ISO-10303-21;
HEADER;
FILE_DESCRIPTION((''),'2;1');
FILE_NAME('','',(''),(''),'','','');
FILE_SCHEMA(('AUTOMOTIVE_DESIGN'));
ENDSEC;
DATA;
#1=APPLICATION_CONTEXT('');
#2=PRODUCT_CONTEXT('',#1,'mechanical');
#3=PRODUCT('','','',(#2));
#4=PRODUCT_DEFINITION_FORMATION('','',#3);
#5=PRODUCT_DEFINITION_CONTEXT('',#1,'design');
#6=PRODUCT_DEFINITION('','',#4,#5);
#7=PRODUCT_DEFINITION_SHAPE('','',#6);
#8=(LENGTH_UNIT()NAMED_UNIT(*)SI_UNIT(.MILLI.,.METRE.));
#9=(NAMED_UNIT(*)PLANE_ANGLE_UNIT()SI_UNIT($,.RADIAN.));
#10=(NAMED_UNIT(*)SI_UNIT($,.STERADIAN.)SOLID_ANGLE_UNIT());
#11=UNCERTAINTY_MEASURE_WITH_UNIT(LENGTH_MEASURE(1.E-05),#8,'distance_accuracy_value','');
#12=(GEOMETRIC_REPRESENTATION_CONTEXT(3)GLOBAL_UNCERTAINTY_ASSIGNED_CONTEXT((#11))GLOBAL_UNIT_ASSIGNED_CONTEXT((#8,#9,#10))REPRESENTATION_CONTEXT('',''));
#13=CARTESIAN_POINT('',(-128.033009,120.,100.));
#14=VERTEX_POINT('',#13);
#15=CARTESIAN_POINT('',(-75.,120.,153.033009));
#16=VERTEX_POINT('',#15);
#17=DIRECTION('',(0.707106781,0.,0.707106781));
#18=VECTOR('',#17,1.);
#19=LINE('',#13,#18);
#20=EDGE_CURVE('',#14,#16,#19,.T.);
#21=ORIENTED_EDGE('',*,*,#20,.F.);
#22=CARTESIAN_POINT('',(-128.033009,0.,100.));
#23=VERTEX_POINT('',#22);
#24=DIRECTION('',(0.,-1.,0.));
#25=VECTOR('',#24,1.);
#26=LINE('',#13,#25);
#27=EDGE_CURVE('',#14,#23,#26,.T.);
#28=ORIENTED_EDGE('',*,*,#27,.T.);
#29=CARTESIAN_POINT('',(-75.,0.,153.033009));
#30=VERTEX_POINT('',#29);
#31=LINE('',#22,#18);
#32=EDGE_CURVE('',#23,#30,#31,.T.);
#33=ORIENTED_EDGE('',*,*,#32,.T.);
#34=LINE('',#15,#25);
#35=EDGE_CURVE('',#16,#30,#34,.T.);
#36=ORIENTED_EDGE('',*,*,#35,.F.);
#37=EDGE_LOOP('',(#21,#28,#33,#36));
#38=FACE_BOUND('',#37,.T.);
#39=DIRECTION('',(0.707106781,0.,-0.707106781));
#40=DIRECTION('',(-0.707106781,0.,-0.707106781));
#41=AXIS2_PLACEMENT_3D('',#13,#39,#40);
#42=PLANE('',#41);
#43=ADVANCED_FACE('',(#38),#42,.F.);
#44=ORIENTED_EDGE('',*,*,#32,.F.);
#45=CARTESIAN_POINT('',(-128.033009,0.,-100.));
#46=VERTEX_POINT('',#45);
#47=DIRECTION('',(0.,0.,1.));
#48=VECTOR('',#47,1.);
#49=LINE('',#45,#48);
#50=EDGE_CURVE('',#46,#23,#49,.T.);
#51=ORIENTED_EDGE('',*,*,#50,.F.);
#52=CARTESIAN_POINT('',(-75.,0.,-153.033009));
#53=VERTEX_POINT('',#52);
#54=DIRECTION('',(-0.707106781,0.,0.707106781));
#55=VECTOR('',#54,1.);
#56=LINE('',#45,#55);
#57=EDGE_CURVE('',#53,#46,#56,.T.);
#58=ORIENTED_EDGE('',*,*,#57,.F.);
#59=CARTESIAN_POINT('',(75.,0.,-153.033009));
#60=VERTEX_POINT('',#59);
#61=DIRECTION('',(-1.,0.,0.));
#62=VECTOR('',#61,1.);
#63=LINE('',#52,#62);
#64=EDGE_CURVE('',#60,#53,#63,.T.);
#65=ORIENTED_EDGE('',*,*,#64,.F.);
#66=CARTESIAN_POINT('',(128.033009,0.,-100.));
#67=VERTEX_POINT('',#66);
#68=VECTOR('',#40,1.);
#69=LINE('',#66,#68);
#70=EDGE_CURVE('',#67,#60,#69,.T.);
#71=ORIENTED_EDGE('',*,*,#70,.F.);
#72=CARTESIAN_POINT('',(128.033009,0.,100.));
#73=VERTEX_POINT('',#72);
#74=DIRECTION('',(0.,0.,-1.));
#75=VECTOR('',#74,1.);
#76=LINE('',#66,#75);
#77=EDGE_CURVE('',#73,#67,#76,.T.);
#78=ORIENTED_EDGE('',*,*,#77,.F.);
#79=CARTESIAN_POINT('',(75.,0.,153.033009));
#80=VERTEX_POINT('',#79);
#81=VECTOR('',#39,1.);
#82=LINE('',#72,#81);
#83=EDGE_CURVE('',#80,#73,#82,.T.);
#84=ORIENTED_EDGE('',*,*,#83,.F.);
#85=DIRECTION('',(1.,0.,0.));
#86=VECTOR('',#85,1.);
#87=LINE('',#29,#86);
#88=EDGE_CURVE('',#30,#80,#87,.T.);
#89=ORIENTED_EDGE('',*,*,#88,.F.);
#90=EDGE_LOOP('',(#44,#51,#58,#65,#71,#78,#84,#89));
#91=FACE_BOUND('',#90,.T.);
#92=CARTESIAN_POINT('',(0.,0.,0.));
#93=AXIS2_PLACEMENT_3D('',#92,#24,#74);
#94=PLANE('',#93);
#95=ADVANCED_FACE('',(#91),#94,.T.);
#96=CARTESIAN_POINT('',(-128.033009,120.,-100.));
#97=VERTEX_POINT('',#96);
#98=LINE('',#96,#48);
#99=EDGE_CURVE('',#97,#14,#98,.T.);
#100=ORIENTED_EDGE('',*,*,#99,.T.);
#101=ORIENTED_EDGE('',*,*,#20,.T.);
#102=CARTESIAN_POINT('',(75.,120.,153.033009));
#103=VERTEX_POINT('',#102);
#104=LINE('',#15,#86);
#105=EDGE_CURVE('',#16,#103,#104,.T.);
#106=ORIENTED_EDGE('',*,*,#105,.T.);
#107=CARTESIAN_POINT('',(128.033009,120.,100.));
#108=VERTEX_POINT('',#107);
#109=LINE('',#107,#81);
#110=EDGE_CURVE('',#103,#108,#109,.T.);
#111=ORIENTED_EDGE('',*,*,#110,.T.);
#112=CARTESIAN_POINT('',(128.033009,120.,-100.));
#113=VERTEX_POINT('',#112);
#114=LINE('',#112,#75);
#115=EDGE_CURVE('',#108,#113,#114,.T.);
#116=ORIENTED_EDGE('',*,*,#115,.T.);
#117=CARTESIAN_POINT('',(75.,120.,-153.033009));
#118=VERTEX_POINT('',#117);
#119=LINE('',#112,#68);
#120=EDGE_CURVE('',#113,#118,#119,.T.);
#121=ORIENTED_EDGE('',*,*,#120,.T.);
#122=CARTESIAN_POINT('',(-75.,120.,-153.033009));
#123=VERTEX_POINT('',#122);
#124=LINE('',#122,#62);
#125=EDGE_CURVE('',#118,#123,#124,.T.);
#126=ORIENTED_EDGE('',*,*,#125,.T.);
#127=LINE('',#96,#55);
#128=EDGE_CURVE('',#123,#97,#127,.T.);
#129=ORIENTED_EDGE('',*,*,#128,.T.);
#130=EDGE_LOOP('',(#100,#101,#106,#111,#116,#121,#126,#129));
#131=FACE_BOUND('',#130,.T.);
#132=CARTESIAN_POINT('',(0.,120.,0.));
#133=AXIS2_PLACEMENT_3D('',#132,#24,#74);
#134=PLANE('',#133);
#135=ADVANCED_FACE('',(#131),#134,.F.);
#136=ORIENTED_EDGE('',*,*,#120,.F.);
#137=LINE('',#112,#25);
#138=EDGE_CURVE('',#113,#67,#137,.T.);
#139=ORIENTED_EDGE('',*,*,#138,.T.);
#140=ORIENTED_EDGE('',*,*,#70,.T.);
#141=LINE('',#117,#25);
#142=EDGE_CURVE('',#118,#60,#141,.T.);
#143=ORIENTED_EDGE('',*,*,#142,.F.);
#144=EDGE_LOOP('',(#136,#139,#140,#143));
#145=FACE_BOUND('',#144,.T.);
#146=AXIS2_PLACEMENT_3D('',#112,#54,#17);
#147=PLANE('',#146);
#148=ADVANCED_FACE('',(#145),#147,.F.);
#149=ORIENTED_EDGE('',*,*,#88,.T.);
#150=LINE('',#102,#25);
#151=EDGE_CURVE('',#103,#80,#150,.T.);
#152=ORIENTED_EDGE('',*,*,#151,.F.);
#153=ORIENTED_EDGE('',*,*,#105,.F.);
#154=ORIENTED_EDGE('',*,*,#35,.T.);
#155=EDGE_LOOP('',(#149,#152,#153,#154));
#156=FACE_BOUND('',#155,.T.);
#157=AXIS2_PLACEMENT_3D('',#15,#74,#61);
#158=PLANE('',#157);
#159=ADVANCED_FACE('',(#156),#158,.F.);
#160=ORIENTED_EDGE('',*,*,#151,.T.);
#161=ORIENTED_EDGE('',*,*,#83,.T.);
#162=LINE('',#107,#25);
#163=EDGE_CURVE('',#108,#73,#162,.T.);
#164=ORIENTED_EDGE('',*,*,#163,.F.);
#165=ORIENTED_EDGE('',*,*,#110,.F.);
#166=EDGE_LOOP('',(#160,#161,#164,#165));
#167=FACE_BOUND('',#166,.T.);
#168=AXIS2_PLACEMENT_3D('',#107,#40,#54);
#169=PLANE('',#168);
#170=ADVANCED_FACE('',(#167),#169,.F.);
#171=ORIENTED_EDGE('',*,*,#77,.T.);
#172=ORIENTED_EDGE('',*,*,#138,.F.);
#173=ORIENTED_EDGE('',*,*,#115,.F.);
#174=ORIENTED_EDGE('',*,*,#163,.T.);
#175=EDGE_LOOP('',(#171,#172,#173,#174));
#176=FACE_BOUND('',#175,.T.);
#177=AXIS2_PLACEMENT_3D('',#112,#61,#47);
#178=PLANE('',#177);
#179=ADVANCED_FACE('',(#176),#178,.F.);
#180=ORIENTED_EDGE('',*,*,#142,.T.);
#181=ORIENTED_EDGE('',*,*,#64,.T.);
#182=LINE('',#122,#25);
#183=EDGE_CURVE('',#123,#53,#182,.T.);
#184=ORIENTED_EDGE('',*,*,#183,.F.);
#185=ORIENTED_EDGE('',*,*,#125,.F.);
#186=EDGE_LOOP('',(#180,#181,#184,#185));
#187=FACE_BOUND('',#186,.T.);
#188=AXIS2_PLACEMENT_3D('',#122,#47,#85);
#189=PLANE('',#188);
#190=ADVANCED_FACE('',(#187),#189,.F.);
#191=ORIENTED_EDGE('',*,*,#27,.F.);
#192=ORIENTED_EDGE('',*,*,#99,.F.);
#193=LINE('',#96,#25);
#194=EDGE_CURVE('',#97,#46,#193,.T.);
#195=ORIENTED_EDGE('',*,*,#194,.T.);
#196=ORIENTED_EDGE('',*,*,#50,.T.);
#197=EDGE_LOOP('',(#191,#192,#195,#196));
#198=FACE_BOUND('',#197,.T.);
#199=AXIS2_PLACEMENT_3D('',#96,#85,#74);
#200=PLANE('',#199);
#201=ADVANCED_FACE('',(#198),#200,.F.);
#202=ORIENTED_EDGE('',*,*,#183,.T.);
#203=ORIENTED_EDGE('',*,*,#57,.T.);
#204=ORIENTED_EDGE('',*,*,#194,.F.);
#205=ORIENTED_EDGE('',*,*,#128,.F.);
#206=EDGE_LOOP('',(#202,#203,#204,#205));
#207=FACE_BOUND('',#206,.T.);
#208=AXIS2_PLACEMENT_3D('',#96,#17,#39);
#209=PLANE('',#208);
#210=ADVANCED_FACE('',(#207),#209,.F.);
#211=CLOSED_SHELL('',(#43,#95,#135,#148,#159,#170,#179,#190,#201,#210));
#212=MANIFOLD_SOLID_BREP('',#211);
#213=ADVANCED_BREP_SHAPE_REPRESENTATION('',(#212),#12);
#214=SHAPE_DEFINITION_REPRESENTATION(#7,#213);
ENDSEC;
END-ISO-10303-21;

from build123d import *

# Parameters (mm, degrees)
BOSS_EXTRUDE1_DEPTH = 120


with BuildPart() as part:
    # Sketch1 → Boss-Extrude1 (new body)
    with BuildSketch(Plane(origin=(0, 0, 0), x_dir=(1, 0, 0), z_dir=(0, 1, 0))):
        Polygon((-128.033008589, 100), (-128.033008589, -100), (-75, -153.033008589), (75, -153.033008589), (128.033008589, -100), (128.033008589, 100), (75, 153.033008589), (-75, 153.033008589), align=None)
    extrude(amount=BOSS_EXTRUDE1_DEPTH)


solid = part.part
